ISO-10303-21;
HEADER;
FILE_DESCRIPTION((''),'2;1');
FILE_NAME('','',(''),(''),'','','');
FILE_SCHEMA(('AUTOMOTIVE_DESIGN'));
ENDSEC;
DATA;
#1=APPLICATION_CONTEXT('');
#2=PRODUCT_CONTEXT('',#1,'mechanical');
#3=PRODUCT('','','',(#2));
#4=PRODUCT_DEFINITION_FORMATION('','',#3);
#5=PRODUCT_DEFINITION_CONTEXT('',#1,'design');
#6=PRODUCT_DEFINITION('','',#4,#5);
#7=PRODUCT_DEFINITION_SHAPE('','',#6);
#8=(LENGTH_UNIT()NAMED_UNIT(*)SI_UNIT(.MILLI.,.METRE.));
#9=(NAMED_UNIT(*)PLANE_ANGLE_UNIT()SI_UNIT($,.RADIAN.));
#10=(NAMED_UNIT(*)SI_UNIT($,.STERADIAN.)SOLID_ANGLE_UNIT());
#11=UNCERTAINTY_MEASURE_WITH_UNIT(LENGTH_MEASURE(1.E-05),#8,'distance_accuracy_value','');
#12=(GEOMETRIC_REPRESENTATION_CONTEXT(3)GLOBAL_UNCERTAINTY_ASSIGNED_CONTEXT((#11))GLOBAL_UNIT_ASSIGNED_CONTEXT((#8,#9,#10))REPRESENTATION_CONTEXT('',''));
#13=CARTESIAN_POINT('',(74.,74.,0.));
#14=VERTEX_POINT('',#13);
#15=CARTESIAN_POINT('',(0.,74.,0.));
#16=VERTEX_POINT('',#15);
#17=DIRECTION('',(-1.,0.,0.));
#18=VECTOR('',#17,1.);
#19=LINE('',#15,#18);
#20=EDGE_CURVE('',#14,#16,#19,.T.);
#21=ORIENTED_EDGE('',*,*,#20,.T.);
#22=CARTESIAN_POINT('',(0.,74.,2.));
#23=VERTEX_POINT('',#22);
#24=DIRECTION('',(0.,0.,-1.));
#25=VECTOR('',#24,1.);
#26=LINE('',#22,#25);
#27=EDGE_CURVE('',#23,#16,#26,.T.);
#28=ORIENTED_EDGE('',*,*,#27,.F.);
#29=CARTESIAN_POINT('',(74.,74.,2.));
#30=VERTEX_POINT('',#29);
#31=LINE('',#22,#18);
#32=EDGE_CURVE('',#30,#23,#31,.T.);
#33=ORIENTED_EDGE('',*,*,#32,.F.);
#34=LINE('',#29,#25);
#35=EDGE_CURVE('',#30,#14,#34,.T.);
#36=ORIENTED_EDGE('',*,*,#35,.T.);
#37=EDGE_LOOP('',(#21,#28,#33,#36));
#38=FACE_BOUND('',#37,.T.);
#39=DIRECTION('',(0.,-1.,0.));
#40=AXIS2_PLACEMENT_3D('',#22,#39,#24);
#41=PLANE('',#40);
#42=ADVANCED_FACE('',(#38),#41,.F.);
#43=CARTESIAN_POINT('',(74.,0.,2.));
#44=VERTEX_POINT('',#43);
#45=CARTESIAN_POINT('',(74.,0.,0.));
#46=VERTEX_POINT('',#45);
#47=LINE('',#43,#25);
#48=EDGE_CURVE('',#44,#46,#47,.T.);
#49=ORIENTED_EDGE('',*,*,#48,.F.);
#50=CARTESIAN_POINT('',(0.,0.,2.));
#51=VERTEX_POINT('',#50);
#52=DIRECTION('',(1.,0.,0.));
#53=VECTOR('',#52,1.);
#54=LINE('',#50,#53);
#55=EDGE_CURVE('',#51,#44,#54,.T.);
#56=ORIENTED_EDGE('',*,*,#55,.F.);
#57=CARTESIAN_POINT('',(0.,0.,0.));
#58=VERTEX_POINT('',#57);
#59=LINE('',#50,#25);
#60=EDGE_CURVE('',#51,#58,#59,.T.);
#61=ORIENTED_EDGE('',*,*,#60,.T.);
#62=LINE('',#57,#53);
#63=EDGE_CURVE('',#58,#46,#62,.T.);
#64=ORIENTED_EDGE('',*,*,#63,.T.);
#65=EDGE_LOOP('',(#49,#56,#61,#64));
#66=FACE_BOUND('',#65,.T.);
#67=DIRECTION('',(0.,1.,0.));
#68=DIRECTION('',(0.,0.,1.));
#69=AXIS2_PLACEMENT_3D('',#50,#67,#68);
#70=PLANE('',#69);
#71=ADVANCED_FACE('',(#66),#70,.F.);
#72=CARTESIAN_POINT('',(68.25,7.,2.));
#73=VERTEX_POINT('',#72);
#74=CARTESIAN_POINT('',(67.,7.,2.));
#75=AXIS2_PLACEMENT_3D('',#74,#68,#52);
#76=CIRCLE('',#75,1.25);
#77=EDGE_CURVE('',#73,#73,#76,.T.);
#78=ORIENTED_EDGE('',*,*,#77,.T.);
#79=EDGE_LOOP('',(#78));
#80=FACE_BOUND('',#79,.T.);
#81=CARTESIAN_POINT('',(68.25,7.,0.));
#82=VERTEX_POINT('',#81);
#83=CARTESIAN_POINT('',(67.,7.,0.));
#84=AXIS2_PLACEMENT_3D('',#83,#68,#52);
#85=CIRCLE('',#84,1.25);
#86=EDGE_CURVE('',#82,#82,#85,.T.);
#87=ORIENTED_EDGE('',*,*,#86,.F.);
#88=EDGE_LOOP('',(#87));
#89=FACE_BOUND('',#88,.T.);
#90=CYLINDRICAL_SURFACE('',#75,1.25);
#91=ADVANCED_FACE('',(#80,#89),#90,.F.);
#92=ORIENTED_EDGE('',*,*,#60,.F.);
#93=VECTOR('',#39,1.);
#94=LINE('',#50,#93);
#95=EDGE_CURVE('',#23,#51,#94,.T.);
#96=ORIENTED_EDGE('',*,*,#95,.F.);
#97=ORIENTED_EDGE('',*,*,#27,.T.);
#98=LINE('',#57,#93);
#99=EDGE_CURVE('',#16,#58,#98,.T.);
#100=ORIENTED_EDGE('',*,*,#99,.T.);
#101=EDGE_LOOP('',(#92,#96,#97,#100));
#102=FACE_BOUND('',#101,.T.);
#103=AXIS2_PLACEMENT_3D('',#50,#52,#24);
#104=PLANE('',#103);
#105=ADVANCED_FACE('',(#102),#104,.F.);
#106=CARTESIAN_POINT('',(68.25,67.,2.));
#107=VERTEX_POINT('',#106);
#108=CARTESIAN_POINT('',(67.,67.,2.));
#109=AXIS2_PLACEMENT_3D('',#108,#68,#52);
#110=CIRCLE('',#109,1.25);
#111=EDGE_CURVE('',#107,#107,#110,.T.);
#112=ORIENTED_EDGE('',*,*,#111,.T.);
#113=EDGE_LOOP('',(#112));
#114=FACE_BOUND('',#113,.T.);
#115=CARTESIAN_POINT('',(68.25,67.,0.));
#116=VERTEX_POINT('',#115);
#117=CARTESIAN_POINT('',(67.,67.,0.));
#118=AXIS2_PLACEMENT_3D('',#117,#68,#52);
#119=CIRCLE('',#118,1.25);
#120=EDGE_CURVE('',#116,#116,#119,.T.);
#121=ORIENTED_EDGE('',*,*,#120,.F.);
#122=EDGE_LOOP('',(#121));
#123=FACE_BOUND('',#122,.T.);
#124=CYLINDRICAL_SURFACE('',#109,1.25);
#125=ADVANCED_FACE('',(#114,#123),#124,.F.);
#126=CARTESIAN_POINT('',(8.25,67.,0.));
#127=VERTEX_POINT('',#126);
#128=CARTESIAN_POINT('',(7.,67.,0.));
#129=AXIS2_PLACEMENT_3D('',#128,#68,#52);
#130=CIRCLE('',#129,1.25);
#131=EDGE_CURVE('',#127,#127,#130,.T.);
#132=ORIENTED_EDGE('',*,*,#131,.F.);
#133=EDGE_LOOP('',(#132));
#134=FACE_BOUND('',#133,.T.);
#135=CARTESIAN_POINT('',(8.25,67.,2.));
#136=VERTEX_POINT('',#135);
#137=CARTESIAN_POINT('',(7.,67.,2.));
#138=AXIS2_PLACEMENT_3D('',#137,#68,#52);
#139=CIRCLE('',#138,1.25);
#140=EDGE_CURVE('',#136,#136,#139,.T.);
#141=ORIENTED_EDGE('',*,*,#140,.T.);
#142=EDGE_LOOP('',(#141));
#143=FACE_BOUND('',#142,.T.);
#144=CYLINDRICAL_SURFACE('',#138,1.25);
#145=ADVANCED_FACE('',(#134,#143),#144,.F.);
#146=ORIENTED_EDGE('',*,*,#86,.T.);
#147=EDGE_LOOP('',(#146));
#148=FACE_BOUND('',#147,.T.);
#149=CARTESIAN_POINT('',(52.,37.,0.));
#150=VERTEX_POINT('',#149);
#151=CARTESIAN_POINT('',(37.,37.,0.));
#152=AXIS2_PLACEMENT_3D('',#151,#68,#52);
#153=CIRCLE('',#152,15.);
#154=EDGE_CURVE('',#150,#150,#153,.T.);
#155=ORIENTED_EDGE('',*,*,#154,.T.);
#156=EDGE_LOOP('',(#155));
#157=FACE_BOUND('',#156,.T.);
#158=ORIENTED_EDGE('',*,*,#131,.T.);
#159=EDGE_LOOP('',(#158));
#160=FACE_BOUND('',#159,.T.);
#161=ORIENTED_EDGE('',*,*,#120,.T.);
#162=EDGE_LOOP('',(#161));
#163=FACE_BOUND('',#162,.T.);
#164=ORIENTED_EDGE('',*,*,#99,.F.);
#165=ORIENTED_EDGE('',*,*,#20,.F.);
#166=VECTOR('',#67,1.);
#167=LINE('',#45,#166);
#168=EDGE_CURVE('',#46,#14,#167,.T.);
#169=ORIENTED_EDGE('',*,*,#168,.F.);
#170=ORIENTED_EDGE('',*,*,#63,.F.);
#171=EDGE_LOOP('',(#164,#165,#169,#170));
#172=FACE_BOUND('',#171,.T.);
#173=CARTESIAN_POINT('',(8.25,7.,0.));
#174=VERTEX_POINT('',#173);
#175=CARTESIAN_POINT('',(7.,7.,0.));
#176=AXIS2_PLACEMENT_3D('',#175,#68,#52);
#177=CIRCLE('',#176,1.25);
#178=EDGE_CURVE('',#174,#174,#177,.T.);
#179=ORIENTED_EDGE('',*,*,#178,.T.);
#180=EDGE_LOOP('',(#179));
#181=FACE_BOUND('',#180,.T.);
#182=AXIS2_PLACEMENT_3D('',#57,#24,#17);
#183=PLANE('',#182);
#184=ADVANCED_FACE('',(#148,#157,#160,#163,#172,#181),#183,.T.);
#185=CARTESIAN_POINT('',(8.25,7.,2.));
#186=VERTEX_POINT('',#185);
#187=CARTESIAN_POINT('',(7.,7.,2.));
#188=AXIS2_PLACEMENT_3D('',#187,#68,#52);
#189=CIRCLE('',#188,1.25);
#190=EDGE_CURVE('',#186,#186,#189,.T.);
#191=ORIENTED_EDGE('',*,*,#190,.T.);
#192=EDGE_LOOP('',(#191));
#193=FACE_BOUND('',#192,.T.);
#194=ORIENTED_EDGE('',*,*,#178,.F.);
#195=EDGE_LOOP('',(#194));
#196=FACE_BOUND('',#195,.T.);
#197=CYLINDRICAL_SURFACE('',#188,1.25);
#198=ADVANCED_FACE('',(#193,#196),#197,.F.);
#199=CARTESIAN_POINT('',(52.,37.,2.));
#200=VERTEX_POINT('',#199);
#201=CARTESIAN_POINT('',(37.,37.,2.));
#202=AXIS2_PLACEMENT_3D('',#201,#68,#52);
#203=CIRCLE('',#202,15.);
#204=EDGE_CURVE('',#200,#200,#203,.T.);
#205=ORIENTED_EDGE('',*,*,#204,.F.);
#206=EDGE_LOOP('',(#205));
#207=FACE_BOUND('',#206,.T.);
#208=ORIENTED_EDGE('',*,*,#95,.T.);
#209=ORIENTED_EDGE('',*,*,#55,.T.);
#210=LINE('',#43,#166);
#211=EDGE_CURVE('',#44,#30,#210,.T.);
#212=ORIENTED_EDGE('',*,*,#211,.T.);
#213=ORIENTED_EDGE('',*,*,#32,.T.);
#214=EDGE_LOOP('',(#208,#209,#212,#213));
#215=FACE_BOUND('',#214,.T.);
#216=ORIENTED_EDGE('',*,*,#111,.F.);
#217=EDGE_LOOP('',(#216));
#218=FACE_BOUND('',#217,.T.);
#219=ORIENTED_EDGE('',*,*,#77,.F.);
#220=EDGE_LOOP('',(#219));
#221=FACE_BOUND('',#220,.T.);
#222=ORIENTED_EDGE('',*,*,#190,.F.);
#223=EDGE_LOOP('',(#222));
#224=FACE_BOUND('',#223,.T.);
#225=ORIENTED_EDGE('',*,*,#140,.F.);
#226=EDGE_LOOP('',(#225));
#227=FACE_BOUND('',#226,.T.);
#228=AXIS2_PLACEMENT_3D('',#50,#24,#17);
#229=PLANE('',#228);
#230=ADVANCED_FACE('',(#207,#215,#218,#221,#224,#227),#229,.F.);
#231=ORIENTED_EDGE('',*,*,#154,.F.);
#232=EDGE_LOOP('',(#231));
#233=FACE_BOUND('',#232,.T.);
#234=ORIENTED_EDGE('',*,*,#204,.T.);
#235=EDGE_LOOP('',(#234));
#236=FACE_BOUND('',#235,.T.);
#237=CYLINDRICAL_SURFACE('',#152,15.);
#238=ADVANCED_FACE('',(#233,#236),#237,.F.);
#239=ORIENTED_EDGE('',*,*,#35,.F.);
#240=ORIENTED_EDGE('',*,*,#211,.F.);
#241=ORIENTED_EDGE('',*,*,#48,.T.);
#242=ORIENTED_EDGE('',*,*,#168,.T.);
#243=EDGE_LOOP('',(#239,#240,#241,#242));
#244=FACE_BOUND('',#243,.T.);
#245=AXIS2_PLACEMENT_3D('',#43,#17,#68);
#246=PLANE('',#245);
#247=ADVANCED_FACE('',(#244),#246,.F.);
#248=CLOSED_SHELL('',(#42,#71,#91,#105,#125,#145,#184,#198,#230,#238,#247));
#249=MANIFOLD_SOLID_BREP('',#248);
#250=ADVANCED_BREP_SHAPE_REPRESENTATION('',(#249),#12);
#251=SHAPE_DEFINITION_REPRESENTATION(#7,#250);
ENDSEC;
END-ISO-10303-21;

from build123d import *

# Parameters (mm, degrees)
SKETCH_1_W          = 74
SKETCH_1_H          = 74
EXTRUDE_1_DEPTH     = 2
SKETCH_2_R          = 15
CUT_EXTRUDE_1_DEPTH = 2
M3X0_5_1_D          = 2.5


with BuildPart() as part:
    # ｽｹｯﾁ1 → ﾎﾞｽ - 押し出し1 (new body)
    with BuildSketch(Plane.XY):
        with Locations((37, 37)):
            Rectangle(SKETCH_1_W, SKETCH_1_H)
    extrude(amount=EXTRUDE_1_DEPTH)

    # ｽｹｯﾁ2 → ｶｯﾄ - 押し出し1 (cut)
    with BuildSketch(Plane.XY.offset(2)):
        with Locations((37, 37)):
            Circle(SKETCH_2_R)
    extrude(amount=-CUT_EXTRUDE_1_DEPTH, mode=Mode.SUBTRACT)

    # M3x0.5 ねじ穴1 (through all)
    with Locations(Plane.XY.offset(2)):
        with Locations((7, 67), (67, 67)):
            m3x0_5_1 = Hole(M3X0_5_1_D / 2)

    # ﾐﾗｰ1: M3x0.5 ねじ穴1 across plane
    add(m3x0_5_1.mirror(Plane.ZX.offset(37)), mode=Mode.SUBTRACT)


solid = part.part
